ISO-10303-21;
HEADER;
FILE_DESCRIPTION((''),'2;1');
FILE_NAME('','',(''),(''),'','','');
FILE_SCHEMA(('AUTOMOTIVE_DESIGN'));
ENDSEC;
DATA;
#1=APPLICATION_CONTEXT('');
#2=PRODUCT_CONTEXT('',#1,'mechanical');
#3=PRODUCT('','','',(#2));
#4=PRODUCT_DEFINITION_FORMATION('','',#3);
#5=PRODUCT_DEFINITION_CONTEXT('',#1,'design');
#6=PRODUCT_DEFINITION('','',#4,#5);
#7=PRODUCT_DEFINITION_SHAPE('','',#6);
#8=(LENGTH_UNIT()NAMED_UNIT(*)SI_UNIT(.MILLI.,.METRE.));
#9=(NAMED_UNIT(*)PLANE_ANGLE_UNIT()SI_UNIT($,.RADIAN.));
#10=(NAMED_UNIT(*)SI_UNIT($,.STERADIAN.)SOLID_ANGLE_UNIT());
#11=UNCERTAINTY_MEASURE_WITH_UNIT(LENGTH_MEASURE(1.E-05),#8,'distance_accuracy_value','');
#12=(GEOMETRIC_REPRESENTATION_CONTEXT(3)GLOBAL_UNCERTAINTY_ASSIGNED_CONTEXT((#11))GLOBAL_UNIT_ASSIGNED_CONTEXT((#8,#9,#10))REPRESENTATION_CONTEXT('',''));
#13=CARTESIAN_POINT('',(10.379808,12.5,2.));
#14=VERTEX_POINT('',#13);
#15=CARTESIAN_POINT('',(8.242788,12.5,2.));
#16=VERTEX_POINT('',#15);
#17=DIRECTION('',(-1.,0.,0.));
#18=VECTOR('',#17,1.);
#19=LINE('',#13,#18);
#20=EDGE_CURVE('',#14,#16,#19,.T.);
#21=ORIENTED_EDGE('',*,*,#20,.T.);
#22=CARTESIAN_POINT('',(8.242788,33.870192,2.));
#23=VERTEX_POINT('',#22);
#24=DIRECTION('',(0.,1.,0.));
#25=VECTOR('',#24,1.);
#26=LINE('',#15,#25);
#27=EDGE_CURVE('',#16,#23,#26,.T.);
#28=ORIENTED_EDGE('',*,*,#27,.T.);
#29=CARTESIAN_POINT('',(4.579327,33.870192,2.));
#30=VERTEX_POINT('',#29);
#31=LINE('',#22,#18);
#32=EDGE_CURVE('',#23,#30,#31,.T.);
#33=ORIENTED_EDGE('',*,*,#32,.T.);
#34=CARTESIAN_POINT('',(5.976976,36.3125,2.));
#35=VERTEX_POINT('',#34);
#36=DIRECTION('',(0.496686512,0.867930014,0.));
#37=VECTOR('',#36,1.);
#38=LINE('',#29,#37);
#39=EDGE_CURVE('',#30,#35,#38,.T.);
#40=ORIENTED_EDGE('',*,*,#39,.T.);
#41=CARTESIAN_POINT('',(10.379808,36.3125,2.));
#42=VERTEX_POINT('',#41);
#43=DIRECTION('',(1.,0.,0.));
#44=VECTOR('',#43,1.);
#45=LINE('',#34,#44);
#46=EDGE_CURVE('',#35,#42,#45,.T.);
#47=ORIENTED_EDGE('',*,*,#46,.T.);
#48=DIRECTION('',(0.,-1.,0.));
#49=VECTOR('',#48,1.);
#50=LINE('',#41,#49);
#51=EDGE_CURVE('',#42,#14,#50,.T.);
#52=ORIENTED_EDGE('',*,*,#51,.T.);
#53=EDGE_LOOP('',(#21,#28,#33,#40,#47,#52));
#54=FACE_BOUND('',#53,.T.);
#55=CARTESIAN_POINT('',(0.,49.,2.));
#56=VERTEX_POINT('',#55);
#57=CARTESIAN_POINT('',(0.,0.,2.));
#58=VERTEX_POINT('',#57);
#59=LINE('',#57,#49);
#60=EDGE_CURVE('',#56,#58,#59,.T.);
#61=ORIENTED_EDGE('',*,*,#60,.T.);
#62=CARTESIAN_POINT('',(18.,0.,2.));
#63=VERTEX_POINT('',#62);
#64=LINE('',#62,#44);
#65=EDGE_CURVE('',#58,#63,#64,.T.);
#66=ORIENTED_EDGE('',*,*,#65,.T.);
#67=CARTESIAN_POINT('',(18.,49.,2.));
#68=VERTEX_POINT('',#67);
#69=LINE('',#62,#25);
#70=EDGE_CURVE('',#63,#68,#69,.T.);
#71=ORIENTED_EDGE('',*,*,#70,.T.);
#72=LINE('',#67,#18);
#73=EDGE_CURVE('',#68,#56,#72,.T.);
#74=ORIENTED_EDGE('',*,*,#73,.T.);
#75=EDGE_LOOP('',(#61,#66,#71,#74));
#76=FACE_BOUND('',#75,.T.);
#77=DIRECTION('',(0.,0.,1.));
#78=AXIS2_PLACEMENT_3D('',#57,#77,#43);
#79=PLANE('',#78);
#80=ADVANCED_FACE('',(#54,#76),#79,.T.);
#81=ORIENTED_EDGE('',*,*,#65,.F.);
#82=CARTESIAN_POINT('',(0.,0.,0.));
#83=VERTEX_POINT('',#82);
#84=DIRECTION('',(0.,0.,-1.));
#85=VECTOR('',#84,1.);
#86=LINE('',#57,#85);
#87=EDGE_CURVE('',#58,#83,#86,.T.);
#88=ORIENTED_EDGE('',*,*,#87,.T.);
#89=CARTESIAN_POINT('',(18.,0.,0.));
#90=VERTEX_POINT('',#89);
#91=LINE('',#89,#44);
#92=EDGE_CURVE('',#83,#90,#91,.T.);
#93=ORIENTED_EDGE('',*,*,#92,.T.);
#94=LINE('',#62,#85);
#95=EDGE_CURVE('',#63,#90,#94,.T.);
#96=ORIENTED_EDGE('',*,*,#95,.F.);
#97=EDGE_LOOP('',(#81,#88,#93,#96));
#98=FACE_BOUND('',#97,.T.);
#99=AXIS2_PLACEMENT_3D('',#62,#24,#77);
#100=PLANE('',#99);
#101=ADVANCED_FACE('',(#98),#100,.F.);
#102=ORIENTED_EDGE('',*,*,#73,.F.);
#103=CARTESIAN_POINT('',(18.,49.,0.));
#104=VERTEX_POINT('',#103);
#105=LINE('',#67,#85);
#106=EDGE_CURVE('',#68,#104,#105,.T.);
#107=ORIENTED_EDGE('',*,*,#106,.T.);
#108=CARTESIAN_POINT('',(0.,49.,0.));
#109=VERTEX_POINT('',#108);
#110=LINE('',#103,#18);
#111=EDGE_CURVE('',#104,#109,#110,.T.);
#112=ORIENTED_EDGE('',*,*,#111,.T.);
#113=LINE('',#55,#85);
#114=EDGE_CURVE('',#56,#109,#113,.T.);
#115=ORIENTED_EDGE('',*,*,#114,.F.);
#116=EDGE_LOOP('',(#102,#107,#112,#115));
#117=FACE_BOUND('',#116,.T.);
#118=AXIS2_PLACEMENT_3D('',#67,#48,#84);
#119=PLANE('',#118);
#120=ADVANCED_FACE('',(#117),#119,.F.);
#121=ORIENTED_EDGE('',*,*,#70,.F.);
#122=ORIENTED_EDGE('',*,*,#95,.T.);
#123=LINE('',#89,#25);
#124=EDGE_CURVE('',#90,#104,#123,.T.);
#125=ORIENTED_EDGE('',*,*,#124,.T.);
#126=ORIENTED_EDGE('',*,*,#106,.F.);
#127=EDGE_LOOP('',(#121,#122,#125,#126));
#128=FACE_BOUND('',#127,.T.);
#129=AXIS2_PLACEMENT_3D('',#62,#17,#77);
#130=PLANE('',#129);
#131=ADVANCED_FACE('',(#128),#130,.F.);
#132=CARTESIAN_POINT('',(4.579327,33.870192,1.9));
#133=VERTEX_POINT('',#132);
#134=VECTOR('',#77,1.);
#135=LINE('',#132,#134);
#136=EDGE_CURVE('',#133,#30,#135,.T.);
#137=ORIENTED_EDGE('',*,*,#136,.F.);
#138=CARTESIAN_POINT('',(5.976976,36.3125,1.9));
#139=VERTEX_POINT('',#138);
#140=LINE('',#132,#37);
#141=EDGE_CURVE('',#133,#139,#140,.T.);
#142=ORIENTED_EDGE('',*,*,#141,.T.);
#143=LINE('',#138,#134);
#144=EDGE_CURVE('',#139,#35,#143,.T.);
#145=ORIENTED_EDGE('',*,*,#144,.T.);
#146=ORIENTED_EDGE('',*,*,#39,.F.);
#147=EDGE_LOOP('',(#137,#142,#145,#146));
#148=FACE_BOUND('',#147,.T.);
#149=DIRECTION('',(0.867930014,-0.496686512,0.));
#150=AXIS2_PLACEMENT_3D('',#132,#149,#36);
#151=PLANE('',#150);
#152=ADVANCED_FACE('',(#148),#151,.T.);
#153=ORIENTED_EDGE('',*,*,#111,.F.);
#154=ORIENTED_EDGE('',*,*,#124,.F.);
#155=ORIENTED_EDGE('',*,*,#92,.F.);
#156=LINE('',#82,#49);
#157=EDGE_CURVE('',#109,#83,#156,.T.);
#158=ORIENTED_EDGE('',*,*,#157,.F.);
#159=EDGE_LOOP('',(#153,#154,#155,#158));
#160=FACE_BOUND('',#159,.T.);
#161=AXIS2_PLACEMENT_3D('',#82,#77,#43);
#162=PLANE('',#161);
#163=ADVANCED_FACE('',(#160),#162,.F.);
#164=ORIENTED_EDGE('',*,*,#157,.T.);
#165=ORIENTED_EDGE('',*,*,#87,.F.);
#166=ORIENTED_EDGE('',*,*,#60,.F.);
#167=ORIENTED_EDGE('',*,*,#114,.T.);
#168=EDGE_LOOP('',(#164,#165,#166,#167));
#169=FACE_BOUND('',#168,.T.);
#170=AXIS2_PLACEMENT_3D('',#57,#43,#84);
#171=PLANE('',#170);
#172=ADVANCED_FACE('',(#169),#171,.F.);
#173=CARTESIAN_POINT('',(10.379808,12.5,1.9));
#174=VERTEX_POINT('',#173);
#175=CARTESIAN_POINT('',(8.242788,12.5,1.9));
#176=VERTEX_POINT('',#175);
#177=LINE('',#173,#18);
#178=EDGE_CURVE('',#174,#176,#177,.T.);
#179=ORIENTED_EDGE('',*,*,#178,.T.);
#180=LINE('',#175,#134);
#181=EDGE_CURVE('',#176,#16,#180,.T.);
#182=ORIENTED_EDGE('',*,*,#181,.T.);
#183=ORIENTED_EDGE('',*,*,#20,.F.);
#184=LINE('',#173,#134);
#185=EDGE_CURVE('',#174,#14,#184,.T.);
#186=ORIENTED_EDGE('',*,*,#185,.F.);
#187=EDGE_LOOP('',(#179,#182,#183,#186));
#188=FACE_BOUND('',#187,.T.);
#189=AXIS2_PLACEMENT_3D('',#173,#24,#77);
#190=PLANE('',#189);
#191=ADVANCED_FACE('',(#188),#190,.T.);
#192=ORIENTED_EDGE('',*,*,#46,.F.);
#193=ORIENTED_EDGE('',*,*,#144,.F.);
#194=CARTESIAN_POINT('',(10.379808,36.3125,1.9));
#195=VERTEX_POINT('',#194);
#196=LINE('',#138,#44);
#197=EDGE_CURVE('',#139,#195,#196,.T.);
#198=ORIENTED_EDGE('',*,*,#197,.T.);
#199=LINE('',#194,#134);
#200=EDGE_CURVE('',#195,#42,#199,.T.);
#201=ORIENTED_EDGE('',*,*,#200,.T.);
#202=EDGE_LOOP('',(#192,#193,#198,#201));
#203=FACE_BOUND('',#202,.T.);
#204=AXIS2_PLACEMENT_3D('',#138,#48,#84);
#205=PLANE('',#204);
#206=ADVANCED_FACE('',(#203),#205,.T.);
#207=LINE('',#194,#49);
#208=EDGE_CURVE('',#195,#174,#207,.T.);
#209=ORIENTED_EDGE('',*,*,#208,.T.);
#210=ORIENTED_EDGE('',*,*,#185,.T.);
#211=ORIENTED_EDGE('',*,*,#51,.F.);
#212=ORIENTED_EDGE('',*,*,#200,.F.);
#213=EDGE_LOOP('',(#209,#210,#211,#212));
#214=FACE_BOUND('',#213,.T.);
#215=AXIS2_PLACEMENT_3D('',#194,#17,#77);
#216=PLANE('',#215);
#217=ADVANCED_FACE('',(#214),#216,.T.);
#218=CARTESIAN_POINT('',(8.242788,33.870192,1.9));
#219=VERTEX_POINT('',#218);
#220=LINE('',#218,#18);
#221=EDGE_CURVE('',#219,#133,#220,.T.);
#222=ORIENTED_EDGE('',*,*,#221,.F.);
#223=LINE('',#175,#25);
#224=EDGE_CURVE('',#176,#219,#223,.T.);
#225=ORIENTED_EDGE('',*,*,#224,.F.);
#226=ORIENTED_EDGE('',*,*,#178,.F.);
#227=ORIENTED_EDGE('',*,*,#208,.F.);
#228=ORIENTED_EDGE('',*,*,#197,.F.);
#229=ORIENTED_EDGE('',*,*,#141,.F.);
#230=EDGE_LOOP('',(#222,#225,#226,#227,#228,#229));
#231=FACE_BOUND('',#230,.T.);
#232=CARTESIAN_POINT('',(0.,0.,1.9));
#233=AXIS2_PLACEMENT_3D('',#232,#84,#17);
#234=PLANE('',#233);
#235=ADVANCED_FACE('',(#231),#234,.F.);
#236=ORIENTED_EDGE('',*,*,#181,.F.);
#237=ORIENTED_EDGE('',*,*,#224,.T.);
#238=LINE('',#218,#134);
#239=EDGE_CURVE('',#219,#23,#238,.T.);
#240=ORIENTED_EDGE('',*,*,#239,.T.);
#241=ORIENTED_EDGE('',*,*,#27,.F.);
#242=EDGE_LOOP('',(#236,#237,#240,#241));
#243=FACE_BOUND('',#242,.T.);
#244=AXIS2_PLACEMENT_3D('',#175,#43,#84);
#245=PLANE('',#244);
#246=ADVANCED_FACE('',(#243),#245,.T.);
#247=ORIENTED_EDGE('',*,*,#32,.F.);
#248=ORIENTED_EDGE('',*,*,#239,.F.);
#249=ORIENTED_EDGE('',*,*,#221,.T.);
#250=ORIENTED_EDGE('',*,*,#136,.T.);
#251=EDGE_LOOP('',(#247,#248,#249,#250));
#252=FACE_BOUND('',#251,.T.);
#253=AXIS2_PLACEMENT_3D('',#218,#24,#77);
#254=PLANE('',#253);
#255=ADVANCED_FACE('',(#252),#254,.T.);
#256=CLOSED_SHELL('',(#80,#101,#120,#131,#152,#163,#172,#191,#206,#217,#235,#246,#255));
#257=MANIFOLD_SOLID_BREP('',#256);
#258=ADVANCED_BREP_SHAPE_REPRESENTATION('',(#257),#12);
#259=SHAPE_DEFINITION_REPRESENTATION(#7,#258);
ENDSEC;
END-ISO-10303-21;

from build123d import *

# Parameters (mm, degrees)
SKETCH_1_W          = 18
SKETCH_1_H          = 49
EXTRUDE_1_DEPTH     = 2
CUT_EXTRUDE_1_DEPTH = 0.1


with BuildPart() as part:
    # ｽｹｯﾁ1 → ﾎﾞｽ - 押し出し1 (new body)
    with BuildSketch(Plane.XY):
        with Locations((9, 24.5)):
            Rectangle(SKETCH_1_W, SKETCH_1_H)
    extrude(amount=EXTRUDE_1_DEPTH)

    # ｽｹｯﾁ2 → ｶｯﾄ - 押し出し1 (cut)
    with BuildSketch(Plane.XY.offset(2)):
        Polygon((5.976975661, 36.3125), (10.379807692, 36.3125), (10.379807692, 12.5), (8.242788462, 12.5), (8.242788462, 33.870192308), (4.579326923, 33.870192308), align=None)
    extrude(amount=-CUT_EXTRUDE_1_DEPTH, mode=Mode.SUBTRACT)


solid = part.part
